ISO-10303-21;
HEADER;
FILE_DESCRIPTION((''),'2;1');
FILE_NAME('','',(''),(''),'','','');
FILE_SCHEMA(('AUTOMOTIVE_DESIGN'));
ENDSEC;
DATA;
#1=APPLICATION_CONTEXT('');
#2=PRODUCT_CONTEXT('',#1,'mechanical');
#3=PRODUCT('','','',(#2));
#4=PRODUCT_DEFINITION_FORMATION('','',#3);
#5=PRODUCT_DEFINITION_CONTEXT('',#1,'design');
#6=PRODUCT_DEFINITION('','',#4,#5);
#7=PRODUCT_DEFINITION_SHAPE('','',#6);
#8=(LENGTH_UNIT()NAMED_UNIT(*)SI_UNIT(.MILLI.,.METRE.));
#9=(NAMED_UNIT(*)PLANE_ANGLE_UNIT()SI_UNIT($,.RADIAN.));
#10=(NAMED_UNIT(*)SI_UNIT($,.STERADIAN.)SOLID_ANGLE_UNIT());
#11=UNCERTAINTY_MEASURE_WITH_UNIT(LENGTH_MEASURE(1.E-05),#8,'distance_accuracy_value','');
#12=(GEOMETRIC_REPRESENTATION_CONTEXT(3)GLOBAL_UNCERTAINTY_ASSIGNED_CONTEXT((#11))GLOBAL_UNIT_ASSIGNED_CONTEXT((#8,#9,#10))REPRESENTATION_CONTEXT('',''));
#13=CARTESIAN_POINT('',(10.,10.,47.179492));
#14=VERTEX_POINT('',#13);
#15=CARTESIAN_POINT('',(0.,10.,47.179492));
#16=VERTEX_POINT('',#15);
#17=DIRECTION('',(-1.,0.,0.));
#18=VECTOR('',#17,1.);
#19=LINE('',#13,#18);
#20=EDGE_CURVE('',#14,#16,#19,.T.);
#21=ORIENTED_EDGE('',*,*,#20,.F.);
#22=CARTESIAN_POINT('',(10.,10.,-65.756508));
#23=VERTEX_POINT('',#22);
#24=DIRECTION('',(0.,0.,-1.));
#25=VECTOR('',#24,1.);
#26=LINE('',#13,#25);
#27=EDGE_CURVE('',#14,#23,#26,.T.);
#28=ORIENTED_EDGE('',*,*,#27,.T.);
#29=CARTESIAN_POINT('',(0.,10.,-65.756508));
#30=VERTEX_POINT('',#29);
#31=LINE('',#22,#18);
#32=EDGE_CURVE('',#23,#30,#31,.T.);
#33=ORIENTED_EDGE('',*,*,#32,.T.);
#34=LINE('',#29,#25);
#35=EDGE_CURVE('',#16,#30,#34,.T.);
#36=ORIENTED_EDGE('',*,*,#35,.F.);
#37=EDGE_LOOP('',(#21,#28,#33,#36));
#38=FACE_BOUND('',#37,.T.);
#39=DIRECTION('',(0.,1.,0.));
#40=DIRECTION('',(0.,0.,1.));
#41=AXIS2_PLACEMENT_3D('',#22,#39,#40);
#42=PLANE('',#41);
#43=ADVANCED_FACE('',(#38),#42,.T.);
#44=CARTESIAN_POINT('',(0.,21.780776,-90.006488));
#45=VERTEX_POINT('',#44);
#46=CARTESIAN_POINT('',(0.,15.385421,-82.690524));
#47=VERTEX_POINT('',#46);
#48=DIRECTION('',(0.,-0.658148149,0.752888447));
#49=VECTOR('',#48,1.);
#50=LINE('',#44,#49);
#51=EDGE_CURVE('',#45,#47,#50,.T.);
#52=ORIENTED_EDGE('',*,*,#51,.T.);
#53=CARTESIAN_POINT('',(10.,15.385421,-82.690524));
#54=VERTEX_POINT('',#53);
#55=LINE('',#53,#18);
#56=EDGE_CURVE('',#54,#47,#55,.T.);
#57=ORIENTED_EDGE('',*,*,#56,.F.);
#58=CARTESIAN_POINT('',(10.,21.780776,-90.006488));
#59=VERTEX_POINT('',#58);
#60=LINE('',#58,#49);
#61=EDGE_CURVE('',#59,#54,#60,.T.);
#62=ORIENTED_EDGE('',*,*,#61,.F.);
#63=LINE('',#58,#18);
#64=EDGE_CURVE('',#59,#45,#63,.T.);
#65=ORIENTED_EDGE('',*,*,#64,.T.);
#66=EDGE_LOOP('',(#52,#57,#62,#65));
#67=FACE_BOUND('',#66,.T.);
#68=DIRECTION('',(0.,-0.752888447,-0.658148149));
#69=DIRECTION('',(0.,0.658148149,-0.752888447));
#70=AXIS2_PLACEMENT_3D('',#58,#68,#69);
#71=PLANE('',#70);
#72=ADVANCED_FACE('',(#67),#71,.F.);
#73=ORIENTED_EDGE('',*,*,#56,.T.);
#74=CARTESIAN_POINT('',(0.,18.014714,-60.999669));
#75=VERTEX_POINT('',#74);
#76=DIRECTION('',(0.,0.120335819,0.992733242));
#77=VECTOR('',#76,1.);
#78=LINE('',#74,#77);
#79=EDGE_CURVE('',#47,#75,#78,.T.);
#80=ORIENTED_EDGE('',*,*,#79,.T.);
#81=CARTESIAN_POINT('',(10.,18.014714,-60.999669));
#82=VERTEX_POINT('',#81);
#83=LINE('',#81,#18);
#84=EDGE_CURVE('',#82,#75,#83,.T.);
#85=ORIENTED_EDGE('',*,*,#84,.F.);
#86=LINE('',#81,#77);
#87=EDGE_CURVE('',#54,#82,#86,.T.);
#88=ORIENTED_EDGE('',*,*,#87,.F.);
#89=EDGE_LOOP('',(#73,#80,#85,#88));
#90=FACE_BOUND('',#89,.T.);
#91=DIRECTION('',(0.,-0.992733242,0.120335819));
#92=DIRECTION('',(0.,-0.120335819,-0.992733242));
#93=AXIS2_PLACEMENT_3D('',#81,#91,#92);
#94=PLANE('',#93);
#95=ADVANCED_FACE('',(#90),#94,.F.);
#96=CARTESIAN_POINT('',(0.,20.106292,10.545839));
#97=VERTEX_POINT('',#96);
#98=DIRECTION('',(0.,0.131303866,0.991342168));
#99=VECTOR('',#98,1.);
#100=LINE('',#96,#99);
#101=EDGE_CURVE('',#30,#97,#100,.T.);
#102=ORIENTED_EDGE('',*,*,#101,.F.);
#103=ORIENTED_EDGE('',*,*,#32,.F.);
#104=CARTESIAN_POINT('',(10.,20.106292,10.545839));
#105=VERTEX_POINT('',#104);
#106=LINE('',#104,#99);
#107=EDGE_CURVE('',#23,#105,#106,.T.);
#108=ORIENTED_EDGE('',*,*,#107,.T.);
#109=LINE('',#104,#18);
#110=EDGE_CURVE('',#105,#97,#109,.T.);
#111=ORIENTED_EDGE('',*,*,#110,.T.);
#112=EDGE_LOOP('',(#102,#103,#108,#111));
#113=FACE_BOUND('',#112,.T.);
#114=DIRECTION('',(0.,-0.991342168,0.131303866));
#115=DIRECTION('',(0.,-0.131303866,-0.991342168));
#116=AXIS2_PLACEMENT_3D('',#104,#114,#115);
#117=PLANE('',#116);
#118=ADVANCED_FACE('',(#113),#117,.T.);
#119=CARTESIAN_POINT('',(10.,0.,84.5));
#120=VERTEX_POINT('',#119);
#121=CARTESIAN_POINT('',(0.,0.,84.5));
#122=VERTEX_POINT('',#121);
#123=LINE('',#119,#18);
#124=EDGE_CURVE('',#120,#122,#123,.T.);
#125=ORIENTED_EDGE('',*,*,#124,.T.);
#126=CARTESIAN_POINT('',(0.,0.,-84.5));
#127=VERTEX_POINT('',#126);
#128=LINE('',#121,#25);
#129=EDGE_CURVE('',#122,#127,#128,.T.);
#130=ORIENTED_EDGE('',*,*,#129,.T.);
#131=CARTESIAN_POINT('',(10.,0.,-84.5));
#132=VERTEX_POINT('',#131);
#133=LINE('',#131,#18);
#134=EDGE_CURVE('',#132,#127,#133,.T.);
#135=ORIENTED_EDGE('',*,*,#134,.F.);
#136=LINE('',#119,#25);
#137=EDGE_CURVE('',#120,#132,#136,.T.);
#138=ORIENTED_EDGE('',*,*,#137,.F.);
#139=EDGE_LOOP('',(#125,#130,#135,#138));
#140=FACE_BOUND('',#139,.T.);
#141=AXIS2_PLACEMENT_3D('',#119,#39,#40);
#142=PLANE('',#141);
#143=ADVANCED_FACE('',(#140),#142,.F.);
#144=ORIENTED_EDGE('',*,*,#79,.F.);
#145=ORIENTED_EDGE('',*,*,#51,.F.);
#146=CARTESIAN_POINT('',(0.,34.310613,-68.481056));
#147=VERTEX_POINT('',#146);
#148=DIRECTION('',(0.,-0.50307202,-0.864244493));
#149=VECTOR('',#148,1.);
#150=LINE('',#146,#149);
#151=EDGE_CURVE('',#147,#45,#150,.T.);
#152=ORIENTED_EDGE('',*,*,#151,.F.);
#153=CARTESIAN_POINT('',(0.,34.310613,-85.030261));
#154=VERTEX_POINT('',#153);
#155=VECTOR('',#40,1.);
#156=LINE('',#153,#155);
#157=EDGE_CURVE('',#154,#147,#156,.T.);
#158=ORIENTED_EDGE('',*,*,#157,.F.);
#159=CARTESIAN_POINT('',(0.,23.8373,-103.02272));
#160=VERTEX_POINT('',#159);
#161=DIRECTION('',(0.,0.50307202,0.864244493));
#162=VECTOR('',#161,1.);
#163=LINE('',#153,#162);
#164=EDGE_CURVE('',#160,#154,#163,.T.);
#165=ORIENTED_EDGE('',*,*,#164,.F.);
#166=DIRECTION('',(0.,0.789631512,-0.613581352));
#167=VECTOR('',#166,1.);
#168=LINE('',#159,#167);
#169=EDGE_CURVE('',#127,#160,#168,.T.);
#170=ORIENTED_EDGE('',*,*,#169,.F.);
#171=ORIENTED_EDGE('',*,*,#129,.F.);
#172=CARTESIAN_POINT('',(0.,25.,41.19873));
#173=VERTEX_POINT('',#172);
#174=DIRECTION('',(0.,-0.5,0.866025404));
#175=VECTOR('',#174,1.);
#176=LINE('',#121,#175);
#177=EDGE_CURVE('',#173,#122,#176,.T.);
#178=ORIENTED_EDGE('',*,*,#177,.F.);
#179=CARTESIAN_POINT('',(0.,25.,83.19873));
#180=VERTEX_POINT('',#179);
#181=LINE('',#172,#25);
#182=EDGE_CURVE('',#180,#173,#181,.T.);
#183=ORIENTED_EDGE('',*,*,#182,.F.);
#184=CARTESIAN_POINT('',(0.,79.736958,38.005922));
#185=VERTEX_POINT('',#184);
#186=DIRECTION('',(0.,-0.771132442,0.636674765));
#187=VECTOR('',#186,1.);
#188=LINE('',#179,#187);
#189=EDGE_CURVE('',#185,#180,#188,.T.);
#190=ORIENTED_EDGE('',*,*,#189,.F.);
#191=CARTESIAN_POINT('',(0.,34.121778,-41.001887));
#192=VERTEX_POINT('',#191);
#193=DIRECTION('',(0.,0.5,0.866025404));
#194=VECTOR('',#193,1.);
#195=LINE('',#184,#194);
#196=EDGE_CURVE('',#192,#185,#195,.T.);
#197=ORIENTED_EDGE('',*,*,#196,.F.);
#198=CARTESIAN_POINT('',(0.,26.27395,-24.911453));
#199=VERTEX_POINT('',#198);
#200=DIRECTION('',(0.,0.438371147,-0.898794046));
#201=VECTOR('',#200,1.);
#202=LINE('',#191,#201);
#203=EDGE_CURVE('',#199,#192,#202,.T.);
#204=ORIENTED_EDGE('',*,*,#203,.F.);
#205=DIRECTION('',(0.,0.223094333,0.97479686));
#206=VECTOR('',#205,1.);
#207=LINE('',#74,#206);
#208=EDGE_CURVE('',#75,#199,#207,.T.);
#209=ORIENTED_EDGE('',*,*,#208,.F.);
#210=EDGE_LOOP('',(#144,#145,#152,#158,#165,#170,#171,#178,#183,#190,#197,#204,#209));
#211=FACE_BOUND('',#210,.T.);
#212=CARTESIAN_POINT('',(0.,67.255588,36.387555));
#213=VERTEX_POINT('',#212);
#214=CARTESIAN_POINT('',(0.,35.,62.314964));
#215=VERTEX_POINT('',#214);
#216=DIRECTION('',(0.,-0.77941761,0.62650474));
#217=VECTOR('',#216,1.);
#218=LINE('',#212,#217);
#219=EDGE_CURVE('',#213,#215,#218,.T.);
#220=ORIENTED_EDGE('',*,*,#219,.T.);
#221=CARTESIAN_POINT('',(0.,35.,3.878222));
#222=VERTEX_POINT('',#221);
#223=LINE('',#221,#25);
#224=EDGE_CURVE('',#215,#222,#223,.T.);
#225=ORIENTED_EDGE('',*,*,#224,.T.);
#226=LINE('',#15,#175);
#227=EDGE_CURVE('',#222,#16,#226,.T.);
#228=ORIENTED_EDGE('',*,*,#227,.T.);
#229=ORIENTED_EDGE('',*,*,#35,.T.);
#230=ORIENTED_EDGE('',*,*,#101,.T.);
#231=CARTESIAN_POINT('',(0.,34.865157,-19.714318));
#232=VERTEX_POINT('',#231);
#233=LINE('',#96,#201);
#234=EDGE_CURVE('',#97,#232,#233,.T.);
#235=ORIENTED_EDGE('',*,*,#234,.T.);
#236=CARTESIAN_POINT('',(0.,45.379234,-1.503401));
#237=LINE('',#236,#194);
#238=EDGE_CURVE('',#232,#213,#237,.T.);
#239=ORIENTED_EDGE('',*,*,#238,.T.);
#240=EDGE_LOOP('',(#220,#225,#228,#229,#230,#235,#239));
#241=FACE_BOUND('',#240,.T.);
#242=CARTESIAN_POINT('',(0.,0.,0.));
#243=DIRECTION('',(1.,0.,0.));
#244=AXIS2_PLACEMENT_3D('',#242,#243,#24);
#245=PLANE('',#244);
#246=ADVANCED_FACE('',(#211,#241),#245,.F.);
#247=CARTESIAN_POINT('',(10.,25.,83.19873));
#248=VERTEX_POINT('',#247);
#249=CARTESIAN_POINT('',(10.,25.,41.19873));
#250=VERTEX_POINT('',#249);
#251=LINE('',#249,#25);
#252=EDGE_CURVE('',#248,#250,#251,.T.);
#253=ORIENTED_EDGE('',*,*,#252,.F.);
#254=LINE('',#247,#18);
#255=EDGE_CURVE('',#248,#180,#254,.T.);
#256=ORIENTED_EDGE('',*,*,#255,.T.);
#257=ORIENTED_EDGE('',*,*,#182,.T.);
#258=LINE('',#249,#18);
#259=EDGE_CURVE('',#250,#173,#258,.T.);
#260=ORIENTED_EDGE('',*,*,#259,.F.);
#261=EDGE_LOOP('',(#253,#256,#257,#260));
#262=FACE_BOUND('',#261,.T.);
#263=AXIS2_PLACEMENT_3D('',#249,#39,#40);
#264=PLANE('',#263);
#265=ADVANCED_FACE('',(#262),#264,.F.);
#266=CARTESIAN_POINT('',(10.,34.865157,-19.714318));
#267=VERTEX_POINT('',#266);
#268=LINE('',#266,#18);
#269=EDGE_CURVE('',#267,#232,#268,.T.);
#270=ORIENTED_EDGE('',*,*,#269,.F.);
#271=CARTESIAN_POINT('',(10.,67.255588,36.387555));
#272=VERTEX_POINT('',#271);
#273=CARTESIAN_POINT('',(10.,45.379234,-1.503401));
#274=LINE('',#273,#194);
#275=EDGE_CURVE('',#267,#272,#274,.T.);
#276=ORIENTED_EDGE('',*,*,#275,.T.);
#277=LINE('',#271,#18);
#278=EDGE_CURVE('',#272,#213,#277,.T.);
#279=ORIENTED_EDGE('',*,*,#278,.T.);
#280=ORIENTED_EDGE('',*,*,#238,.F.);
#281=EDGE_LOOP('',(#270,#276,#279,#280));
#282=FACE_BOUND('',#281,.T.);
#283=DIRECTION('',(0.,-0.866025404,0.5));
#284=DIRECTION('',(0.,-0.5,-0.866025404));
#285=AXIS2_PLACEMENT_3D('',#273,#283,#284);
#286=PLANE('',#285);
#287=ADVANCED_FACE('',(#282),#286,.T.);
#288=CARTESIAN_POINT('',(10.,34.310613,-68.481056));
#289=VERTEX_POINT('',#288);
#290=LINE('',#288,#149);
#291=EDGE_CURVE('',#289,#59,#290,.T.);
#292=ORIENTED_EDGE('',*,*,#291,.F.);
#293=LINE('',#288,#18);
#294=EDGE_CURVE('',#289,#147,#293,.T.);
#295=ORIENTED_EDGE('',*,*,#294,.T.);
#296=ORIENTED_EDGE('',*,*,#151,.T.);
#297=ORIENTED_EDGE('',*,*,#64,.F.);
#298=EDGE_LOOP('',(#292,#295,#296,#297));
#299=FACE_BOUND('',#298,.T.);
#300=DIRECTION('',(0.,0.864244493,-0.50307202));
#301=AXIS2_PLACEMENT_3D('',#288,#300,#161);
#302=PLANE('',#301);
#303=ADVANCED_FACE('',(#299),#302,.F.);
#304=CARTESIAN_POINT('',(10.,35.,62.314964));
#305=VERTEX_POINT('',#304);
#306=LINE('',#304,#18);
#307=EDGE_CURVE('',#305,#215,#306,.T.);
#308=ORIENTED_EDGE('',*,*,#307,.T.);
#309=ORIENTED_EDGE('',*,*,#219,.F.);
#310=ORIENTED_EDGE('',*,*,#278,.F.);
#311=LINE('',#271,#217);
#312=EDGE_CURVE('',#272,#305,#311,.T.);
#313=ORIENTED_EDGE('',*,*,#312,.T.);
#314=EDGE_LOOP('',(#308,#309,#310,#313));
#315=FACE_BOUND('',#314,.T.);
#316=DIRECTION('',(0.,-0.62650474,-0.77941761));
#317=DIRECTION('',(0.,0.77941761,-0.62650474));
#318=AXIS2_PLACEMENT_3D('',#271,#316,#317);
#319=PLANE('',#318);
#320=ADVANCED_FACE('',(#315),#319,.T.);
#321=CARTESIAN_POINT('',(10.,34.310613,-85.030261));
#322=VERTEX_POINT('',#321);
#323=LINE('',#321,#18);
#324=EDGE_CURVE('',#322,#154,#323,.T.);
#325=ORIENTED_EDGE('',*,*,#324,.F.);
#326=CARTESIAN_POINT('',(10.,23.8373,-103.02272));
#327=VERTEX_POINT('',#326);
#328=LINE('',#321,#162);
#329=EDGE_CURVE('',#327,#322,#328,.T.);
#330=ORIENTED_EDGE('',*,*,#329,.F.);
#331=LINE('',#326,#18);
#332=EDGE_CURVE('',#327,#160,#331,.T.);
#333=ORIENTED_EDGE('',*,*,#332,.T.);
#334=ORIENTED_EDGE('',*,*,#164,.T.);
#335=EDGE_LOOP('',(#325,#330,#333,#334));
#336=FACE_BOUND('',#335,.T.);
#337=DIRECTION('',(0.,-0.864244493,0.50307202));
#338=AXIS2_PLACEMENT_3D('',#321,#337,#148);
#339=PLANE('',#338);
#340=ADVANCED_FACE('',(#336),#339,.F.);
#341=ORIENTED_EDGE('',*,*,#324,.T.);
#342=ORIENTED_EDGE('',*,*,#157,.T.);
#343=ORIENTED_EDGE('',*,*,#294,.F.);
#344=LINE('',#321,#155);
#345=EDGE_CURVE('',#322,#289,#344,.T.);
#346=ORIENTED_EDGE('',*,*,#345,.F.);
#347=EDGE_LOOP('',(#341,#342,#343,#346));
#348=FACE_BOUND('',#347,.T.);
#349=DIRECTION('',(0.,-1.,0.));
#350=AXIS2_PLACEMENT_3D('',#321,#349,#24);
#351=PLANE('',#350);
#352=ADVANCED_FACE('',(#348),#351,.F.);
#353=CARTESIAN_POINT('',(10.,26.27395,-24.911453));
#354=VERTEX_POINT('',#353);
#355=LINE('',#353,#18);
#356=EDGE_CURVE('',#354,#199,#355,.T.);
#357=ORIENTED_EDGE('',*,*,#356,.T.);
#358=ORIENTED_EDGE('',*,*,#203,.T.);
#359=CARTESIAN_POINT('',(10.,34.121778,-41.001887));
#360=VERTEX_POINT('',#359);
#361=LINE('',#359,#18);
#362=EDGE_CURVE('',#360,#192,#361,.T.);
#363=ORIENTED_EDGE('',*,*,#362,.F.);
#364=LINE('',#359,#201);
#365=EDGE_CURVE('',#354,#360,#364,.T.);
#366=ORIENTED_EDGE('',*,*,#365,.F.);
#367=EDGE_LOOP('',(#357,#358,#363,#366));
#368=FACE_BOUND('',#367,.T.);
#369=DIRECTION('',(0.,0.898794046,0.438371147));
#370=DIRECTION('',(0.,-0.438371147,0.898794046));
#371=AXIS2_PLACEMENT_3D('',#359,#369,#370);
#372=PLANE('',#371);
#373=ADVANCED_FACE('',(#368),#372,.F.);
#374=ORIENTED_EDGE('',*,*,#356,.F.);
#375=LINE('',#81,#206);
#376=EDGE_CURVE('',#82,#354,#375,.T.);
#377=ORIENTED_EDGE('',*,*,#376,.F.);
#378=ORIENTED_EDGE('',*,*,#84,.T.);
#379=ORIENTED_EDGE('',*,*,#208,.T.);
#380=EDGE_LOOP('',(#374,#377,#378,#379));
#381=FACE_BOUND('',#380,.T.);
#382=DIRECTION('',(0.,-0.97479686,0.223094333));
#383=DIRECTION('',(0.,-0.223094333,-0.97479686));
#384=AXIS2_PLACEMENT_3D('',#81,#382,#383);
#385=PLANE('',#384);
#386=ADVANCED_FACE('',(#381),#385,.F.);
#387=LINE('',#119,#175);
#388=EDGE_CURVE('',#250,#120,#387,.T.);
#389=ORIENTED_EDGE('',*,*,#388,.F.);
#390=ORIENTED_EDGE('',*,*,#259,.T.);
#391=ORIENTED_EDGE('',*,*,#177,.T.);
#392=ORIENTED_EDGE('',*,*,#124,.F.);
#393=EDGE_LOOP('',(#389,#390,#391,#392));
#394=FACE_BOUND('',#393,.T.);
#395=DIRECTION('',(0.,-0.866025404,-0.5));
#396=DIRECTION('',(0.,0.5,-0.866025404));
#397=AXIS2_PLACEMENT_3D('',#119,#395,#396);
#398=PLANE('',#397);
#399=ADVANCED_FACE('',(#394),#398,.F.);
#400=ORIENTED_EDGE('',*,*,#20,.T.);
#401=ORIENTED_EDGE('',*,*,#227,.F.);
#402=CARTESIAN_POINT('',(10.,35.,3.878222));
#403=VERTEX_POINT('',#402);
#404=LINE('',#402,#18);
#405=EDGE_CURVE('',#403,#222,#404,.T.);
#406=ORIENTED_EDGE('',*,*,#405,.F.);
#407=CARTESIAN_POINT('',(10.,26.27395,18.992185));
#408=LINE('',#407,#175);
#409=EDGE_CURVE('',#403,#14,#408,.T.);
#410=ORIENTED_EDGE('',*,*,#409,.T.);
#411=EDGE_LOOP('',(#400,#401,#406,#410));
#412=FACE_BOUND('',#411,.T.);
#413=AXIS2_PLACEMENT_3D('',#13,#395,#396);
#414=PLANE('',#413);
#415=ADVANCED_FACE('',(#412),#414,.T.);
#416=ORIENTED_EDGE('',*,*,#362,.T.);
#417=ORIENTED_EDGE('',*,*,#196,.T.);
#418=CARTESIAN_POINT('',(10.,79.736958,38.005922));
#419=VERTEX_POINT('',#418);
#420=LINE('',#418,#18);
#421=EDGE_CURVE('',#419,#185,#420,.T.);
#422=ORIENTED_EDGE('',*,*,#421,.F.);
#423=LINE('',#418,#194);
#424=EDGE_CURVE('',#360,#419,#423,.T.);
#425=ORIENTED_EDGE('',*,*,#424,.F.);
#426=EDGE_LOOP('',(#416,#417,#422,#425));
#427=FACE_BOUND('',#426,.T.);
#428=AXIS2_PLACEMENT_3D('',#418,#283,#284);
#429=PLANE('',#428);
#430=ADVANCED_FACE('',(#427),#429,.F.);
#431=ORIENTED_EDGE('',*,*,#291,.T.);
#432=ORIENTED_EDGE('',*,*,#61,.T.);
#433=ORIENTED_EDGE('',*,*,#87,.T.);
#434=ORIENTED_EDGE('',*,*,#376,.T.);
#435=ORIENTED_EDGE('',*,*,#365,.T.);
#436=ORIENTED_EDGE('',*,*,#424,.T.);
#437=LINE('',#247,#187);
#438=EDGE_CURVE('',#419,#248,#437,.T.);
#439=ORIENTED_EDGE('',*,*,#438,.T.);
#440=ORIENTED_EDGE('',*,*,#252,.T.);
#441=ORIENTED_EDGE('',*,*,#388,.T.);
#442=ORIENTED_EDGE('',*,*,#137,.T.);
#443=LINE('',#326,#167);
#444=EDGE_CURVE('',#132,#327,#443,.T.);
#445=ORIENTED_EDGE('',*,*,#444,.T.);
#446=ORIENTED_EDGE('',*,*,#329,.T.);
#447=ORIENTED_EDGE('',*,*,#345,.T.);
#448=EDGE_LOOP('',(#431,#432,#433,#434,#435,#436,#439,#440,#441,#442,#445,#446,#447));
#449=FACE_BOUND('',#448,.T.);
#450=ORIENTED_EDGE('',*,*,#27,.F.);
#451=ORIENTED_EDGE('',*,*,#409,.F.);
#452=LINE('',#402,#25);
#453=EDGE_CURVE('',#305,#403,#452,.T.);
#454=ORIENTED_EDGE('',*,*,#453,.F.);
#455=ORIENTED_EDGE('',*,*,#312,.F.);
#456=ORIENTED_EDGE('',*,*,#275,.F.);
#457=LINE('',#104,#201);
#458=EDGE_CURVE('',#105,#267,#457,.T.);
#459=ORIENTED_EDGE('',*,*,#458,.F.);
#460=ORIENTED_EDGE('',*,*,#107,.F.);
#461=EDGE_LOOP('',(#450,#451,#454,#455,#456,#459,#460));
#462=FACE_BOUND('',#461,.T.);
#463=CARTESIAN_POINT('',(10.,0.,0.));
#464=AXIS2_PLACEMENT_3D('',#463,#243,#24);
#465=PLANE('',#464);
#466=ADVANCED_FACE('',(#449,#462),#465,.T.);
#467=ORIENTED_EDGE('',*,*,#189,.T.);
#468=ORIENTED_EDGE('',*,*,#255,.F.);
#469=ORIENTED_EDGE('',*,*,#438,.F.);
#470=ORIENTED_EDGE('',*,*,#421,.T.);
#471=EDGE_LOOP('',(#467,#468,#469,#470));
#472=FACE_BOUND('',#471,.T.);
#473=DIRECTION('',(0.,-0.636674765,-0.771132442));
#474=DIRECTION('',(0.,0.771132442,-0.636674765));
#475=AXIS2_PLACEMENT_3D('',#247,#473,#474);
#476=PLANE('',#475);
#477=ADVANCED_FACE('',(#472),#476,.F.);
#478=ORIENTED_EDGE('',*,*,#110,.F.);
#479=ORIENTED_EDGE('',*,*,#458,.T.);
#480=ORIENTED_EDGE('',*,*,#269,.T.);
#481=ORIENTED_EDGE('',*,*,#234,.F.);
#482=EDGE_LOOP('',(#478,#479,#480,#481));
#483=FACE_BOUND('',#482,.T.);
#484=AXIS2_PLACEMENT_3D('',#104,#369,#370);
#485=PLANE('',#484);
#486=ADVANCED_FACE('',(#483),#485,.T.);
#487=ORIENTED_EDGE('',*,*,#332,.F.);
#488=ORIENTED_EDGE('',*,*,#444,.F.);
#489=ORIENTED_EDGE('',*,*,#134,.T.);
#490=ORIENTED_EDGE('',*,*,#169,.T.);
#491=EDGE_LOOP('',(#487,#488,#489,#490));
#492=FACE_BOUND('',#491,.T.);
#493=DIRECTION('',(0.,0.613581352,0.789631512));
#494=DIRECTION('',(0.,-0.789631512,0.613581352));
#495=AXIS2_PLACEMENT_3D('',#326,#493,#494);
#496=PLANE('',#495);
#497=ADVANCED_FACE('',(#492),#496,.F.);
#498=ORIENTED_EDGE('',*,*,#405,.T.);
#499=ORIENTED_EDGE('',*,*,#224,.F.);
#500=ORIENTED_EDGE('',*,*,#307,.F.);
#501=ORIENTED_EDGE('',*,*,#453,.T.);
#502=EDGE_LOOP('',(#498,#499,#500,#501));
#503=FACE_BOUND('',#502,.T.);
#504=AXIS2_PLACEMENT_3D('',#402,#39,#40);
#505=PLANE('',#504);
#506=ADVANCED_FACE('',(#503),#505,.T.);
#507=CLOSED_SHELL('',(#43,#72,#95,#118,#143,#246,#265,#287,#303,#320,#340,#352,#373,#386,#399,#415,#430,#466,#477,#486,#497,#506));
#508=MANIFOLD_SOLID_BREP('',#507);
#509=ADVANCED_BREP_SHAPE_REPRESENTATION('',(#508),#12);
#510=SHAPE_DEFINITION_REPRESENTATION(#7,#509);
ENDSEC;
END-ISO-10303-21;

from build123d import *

# Parameters (mm, degrees)
BOSS_EXTRUDE1_DEPTH = 10


with BuildPart() as part:
    # Sketch1 → Boss-Extrude1 (new body)
    with BuildSketch(Plane(origin=(0, 0, 0), x_dir=(0, 0, -1), z_dir=(1, 0, 0))):
        Polygon((-84.5, 0), (84.5, 0), (103.022719545, 23.837300471), (85.030260907, 34.310612808), (68.481056011, 34.310612808), (90.006488303, 21.780775717), (82.690523765, 15.385421213), (60.999669369, 18.014714385), (24.911453349, 26.273949517), (41.001886779, 34.121778265), (-38.005922344, 79.73695813), (-83.198729811, 25), (-41.198729811, 25), align=None)
        Polygon((-47.179491924, 10), (-7.44944599, 10), (29.988283091, 10), (65.756507922, 10), (-10.545839316, 20.106291787), (19.714317813, 34.865156554), (1.503401285, 45.379234114), (-36.387555456, 67.255588188), (-62.314964122, 35), (-3.878221735, 35), (-18.992184521, 26.273949517), align=None, mode=Mode.SUBTRACT)
    extrude(amount=BOSS_EXTRUDE1_DEPTH)


solid = part.part
